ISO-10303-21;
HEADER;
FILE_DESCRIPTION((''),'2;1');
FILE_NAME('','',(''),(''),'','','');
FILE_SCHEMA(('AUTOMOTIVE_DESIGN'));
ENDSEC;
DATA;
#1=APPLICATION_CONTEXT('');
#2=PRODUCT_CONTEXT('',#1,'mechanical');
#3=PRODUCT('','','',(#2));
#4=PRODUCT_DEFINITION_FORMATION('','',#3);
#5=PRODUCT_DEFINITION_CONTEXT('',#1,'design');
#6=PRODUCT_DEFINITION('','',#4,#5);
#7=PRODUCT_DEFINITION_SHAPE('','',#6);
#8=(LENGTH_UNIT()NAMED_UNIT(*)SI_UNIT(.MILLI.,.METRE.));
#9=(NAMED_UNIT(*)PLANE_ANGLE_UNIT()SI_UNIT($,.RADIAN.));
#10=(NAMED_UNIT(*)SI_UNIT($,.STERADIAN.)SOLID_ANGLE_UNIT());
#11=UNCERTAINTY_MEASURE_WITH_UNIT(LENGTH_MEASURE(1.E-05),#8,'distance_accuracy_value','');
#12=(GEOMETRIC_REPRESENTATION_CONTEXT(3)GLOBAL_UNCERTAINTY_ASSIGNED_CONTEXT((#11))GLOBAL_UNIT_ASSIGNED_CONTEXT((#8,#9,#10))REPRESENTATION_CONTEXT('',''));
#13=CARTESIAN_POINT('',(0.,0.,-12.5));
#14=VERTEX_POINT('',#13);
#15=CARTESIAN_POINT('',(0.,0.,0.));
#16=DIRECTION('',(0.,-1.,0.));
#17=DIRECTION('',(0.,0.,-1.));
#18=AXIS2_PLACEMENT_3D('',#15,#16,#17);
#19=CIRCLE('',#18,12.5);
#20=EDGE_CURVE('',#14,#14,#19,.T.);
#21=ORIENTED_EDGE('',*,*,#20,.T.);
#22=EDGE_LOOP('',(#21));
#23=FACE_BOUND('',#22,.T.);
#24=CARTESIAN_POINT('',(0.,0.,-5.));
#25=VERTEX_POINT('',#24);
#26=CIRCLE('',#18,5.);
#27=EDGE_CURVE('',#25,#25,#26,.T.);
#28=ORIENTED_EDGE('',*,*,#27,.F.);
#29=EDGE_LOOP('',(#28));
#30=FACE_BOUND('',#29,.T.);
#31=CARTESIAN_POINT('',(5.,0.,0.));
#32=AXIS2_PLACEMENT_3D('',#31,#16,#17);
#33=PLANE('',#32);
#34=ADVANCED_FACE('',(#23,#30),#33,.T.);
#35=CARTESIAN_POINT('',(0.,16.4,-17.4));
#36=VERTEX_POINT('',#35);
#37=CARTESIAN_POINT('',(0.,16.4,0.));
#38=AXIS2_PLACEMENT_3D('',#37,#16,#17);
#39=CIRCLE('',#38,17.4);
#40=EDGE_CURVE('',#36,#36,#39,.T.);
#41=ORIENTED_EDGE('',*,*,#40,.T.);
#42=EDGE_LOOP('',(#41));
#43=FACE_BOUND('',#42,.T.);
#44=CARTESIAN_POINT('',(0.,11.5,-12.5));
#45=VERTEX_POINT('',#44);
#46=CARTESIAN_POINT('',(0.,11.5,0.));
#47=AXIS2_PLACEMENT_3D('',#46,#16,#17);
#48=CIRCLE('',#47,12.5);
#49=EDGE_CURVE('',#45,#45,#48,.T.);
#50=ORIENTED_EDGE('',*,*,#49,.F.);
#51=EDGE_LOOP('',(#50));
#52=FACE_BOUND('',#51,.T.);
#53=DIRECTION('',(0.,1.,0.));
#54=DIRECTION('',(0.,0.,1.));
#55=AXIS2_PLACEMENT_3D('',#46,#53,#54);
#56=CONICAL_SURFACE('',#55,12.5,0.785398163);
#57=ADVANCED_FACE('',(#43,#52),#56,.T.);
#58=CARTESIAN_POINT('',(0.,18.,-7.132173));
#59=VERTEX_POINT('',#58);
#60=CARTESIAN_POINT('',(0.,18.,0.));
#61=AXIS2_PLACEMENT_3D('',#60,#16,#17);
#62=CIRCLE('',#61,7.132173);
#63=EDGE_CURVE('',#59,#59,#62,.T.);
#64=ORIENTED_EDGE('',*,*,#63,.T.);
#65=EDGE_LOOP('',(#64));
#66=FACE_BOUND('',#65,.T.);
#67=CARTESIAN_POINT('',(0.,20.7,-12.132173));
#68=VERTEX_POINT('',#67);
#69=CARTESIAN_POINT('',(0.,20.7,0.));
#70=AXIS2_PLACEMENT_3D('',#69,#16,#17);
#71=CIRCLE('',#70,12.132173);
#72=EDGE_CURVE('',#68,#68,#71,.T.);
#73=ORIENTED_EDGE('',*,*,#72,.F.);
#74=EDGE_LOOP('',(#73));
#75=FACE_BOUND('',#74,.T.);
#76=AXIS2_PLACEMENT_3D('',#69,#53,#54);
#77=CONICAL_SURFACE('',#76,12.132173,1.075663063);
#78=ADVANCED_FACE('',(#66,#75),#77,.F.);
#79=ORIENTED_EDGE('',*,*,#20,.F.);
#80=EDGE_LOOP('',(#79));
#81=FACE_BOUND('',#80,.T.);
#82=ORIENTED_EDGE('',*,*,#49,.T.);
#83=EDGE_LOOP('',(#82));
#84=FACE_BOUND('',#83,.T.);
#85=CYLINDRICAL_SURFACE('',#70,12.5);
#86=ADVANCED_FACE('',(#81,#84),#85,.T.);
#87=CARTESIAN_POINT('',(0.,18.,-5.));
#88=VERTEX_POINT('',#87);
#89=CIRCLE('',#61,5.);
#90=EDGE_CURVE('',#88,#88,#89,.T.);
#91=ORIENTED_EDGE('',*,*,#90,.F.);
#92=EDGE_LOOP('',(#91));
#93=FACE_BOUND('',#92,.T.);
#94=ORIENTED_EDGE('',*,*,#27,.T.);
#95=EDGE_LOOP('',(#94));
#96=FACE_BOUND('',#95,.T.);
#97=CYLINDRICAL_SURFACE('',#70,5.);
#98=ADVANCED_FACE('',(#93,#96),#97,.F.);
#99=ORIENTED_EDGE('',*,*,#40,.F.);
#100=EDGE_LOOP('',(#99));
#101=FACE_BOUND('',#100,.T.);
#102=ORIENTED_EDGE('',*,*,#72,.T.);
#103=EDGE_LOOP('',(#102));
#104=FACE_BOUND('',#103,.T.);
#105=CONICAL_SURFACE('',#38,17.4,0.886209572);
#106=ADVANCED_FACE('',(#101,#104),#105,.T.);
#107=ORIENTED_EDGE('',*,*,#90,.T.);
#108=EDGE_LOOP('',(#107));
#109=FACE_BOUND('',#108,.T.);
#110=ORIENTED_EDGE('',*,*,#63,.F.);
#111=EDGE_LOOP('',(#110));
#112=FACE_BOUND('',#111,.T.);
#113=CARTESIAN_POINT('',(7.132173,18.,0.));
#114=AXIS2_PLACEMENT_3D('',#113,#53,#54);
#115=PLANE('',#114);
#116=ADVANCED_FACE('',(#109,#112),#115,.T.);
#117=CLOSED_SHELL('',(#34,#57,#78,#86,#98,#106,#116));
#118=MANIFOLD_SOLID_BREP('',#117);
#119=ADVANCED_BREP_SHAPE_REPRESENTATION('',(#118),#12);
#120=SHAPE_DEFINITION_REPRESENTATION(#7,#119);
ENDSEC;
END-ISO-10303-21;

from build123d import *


with BuildPart() as part:
    # Sketch1 → Revolve1 (revolve)
    with BuildSketch(Plane.XY, mode=Mode.PRIVATE) as revolve1_sk:
        Polygon((17.4, 16.4), (12.132173, 20.7), (7.132173, 18), (5, 18), (5, 0), (12.5, 0), (12.5, 11.5), align=None)
    revolve(revolve1_sk.sketch.rotate(Axis((0, 20.7, 0), (0, -1, 0)), 270), axis=Axis((0, 20.7, 0), (0, -1, 0)))


solid = part.part
